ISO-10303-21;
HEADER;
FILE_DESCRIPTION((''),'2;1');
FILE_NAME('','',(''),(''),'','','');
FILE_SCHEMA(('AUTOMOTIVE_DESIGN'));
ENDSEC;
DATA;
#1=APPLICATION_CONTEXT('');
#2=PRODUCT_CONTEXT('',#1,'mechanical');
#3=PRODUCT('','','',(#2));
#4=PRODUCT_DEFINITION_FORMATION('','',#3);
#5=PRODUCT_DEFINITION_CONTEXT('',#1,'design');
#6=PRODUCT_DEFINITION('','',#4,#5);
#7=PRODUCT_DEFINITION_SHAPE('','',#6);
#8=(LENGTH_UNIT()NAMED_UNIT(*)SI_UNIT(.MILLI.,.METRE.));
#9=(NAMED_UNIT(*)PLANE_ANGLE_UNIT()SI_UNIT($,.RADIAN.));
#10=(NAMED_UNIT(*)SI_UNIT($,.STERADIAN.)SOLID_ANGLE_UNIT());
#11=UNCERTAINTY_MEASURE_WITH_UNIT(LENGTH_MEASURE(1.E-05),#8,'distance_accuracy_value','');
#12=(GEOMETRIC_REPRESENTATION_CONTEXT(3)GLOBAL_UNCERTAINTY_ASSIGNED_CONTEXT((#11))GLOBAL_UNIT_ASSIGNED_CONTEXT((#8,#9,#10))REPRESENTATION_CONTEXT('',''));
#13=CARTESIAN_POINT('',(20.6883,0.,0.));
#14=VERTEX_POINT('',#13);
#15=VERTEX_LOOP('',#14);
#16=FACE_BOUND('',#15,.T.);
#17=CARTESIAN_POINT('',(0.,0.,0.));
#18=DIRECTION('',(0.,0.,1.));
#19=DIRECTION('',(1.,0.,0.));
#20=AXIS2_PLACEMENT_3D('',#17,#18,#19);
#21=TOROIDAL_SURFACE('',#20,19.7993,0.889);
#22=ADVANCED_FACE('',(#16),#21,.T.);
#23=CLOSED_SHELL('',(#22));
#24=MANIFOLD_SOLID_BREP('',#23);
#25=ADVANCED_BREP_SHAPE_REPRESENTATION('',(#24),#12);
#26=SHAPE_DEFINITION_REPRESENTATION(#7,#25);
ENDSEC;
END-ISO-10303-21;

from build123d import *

# Parameters (mm, degrees)
SKETCH1_R = 0.889


with BuildPart() as part:
    # Sketch1 → Revolve1 (revolve)
    with BuildSketch(Plane(origin=(0, 0, 0), x_dir=(0, -1, 0), z_dir=(1, 0, 0))):
        with Locations((19.7993, 0)):
            Circle(SKETCH1_R)
    revolve(axis=Axis((0, 0, 0.889), (0, 0, -1)))


solid = part.part
